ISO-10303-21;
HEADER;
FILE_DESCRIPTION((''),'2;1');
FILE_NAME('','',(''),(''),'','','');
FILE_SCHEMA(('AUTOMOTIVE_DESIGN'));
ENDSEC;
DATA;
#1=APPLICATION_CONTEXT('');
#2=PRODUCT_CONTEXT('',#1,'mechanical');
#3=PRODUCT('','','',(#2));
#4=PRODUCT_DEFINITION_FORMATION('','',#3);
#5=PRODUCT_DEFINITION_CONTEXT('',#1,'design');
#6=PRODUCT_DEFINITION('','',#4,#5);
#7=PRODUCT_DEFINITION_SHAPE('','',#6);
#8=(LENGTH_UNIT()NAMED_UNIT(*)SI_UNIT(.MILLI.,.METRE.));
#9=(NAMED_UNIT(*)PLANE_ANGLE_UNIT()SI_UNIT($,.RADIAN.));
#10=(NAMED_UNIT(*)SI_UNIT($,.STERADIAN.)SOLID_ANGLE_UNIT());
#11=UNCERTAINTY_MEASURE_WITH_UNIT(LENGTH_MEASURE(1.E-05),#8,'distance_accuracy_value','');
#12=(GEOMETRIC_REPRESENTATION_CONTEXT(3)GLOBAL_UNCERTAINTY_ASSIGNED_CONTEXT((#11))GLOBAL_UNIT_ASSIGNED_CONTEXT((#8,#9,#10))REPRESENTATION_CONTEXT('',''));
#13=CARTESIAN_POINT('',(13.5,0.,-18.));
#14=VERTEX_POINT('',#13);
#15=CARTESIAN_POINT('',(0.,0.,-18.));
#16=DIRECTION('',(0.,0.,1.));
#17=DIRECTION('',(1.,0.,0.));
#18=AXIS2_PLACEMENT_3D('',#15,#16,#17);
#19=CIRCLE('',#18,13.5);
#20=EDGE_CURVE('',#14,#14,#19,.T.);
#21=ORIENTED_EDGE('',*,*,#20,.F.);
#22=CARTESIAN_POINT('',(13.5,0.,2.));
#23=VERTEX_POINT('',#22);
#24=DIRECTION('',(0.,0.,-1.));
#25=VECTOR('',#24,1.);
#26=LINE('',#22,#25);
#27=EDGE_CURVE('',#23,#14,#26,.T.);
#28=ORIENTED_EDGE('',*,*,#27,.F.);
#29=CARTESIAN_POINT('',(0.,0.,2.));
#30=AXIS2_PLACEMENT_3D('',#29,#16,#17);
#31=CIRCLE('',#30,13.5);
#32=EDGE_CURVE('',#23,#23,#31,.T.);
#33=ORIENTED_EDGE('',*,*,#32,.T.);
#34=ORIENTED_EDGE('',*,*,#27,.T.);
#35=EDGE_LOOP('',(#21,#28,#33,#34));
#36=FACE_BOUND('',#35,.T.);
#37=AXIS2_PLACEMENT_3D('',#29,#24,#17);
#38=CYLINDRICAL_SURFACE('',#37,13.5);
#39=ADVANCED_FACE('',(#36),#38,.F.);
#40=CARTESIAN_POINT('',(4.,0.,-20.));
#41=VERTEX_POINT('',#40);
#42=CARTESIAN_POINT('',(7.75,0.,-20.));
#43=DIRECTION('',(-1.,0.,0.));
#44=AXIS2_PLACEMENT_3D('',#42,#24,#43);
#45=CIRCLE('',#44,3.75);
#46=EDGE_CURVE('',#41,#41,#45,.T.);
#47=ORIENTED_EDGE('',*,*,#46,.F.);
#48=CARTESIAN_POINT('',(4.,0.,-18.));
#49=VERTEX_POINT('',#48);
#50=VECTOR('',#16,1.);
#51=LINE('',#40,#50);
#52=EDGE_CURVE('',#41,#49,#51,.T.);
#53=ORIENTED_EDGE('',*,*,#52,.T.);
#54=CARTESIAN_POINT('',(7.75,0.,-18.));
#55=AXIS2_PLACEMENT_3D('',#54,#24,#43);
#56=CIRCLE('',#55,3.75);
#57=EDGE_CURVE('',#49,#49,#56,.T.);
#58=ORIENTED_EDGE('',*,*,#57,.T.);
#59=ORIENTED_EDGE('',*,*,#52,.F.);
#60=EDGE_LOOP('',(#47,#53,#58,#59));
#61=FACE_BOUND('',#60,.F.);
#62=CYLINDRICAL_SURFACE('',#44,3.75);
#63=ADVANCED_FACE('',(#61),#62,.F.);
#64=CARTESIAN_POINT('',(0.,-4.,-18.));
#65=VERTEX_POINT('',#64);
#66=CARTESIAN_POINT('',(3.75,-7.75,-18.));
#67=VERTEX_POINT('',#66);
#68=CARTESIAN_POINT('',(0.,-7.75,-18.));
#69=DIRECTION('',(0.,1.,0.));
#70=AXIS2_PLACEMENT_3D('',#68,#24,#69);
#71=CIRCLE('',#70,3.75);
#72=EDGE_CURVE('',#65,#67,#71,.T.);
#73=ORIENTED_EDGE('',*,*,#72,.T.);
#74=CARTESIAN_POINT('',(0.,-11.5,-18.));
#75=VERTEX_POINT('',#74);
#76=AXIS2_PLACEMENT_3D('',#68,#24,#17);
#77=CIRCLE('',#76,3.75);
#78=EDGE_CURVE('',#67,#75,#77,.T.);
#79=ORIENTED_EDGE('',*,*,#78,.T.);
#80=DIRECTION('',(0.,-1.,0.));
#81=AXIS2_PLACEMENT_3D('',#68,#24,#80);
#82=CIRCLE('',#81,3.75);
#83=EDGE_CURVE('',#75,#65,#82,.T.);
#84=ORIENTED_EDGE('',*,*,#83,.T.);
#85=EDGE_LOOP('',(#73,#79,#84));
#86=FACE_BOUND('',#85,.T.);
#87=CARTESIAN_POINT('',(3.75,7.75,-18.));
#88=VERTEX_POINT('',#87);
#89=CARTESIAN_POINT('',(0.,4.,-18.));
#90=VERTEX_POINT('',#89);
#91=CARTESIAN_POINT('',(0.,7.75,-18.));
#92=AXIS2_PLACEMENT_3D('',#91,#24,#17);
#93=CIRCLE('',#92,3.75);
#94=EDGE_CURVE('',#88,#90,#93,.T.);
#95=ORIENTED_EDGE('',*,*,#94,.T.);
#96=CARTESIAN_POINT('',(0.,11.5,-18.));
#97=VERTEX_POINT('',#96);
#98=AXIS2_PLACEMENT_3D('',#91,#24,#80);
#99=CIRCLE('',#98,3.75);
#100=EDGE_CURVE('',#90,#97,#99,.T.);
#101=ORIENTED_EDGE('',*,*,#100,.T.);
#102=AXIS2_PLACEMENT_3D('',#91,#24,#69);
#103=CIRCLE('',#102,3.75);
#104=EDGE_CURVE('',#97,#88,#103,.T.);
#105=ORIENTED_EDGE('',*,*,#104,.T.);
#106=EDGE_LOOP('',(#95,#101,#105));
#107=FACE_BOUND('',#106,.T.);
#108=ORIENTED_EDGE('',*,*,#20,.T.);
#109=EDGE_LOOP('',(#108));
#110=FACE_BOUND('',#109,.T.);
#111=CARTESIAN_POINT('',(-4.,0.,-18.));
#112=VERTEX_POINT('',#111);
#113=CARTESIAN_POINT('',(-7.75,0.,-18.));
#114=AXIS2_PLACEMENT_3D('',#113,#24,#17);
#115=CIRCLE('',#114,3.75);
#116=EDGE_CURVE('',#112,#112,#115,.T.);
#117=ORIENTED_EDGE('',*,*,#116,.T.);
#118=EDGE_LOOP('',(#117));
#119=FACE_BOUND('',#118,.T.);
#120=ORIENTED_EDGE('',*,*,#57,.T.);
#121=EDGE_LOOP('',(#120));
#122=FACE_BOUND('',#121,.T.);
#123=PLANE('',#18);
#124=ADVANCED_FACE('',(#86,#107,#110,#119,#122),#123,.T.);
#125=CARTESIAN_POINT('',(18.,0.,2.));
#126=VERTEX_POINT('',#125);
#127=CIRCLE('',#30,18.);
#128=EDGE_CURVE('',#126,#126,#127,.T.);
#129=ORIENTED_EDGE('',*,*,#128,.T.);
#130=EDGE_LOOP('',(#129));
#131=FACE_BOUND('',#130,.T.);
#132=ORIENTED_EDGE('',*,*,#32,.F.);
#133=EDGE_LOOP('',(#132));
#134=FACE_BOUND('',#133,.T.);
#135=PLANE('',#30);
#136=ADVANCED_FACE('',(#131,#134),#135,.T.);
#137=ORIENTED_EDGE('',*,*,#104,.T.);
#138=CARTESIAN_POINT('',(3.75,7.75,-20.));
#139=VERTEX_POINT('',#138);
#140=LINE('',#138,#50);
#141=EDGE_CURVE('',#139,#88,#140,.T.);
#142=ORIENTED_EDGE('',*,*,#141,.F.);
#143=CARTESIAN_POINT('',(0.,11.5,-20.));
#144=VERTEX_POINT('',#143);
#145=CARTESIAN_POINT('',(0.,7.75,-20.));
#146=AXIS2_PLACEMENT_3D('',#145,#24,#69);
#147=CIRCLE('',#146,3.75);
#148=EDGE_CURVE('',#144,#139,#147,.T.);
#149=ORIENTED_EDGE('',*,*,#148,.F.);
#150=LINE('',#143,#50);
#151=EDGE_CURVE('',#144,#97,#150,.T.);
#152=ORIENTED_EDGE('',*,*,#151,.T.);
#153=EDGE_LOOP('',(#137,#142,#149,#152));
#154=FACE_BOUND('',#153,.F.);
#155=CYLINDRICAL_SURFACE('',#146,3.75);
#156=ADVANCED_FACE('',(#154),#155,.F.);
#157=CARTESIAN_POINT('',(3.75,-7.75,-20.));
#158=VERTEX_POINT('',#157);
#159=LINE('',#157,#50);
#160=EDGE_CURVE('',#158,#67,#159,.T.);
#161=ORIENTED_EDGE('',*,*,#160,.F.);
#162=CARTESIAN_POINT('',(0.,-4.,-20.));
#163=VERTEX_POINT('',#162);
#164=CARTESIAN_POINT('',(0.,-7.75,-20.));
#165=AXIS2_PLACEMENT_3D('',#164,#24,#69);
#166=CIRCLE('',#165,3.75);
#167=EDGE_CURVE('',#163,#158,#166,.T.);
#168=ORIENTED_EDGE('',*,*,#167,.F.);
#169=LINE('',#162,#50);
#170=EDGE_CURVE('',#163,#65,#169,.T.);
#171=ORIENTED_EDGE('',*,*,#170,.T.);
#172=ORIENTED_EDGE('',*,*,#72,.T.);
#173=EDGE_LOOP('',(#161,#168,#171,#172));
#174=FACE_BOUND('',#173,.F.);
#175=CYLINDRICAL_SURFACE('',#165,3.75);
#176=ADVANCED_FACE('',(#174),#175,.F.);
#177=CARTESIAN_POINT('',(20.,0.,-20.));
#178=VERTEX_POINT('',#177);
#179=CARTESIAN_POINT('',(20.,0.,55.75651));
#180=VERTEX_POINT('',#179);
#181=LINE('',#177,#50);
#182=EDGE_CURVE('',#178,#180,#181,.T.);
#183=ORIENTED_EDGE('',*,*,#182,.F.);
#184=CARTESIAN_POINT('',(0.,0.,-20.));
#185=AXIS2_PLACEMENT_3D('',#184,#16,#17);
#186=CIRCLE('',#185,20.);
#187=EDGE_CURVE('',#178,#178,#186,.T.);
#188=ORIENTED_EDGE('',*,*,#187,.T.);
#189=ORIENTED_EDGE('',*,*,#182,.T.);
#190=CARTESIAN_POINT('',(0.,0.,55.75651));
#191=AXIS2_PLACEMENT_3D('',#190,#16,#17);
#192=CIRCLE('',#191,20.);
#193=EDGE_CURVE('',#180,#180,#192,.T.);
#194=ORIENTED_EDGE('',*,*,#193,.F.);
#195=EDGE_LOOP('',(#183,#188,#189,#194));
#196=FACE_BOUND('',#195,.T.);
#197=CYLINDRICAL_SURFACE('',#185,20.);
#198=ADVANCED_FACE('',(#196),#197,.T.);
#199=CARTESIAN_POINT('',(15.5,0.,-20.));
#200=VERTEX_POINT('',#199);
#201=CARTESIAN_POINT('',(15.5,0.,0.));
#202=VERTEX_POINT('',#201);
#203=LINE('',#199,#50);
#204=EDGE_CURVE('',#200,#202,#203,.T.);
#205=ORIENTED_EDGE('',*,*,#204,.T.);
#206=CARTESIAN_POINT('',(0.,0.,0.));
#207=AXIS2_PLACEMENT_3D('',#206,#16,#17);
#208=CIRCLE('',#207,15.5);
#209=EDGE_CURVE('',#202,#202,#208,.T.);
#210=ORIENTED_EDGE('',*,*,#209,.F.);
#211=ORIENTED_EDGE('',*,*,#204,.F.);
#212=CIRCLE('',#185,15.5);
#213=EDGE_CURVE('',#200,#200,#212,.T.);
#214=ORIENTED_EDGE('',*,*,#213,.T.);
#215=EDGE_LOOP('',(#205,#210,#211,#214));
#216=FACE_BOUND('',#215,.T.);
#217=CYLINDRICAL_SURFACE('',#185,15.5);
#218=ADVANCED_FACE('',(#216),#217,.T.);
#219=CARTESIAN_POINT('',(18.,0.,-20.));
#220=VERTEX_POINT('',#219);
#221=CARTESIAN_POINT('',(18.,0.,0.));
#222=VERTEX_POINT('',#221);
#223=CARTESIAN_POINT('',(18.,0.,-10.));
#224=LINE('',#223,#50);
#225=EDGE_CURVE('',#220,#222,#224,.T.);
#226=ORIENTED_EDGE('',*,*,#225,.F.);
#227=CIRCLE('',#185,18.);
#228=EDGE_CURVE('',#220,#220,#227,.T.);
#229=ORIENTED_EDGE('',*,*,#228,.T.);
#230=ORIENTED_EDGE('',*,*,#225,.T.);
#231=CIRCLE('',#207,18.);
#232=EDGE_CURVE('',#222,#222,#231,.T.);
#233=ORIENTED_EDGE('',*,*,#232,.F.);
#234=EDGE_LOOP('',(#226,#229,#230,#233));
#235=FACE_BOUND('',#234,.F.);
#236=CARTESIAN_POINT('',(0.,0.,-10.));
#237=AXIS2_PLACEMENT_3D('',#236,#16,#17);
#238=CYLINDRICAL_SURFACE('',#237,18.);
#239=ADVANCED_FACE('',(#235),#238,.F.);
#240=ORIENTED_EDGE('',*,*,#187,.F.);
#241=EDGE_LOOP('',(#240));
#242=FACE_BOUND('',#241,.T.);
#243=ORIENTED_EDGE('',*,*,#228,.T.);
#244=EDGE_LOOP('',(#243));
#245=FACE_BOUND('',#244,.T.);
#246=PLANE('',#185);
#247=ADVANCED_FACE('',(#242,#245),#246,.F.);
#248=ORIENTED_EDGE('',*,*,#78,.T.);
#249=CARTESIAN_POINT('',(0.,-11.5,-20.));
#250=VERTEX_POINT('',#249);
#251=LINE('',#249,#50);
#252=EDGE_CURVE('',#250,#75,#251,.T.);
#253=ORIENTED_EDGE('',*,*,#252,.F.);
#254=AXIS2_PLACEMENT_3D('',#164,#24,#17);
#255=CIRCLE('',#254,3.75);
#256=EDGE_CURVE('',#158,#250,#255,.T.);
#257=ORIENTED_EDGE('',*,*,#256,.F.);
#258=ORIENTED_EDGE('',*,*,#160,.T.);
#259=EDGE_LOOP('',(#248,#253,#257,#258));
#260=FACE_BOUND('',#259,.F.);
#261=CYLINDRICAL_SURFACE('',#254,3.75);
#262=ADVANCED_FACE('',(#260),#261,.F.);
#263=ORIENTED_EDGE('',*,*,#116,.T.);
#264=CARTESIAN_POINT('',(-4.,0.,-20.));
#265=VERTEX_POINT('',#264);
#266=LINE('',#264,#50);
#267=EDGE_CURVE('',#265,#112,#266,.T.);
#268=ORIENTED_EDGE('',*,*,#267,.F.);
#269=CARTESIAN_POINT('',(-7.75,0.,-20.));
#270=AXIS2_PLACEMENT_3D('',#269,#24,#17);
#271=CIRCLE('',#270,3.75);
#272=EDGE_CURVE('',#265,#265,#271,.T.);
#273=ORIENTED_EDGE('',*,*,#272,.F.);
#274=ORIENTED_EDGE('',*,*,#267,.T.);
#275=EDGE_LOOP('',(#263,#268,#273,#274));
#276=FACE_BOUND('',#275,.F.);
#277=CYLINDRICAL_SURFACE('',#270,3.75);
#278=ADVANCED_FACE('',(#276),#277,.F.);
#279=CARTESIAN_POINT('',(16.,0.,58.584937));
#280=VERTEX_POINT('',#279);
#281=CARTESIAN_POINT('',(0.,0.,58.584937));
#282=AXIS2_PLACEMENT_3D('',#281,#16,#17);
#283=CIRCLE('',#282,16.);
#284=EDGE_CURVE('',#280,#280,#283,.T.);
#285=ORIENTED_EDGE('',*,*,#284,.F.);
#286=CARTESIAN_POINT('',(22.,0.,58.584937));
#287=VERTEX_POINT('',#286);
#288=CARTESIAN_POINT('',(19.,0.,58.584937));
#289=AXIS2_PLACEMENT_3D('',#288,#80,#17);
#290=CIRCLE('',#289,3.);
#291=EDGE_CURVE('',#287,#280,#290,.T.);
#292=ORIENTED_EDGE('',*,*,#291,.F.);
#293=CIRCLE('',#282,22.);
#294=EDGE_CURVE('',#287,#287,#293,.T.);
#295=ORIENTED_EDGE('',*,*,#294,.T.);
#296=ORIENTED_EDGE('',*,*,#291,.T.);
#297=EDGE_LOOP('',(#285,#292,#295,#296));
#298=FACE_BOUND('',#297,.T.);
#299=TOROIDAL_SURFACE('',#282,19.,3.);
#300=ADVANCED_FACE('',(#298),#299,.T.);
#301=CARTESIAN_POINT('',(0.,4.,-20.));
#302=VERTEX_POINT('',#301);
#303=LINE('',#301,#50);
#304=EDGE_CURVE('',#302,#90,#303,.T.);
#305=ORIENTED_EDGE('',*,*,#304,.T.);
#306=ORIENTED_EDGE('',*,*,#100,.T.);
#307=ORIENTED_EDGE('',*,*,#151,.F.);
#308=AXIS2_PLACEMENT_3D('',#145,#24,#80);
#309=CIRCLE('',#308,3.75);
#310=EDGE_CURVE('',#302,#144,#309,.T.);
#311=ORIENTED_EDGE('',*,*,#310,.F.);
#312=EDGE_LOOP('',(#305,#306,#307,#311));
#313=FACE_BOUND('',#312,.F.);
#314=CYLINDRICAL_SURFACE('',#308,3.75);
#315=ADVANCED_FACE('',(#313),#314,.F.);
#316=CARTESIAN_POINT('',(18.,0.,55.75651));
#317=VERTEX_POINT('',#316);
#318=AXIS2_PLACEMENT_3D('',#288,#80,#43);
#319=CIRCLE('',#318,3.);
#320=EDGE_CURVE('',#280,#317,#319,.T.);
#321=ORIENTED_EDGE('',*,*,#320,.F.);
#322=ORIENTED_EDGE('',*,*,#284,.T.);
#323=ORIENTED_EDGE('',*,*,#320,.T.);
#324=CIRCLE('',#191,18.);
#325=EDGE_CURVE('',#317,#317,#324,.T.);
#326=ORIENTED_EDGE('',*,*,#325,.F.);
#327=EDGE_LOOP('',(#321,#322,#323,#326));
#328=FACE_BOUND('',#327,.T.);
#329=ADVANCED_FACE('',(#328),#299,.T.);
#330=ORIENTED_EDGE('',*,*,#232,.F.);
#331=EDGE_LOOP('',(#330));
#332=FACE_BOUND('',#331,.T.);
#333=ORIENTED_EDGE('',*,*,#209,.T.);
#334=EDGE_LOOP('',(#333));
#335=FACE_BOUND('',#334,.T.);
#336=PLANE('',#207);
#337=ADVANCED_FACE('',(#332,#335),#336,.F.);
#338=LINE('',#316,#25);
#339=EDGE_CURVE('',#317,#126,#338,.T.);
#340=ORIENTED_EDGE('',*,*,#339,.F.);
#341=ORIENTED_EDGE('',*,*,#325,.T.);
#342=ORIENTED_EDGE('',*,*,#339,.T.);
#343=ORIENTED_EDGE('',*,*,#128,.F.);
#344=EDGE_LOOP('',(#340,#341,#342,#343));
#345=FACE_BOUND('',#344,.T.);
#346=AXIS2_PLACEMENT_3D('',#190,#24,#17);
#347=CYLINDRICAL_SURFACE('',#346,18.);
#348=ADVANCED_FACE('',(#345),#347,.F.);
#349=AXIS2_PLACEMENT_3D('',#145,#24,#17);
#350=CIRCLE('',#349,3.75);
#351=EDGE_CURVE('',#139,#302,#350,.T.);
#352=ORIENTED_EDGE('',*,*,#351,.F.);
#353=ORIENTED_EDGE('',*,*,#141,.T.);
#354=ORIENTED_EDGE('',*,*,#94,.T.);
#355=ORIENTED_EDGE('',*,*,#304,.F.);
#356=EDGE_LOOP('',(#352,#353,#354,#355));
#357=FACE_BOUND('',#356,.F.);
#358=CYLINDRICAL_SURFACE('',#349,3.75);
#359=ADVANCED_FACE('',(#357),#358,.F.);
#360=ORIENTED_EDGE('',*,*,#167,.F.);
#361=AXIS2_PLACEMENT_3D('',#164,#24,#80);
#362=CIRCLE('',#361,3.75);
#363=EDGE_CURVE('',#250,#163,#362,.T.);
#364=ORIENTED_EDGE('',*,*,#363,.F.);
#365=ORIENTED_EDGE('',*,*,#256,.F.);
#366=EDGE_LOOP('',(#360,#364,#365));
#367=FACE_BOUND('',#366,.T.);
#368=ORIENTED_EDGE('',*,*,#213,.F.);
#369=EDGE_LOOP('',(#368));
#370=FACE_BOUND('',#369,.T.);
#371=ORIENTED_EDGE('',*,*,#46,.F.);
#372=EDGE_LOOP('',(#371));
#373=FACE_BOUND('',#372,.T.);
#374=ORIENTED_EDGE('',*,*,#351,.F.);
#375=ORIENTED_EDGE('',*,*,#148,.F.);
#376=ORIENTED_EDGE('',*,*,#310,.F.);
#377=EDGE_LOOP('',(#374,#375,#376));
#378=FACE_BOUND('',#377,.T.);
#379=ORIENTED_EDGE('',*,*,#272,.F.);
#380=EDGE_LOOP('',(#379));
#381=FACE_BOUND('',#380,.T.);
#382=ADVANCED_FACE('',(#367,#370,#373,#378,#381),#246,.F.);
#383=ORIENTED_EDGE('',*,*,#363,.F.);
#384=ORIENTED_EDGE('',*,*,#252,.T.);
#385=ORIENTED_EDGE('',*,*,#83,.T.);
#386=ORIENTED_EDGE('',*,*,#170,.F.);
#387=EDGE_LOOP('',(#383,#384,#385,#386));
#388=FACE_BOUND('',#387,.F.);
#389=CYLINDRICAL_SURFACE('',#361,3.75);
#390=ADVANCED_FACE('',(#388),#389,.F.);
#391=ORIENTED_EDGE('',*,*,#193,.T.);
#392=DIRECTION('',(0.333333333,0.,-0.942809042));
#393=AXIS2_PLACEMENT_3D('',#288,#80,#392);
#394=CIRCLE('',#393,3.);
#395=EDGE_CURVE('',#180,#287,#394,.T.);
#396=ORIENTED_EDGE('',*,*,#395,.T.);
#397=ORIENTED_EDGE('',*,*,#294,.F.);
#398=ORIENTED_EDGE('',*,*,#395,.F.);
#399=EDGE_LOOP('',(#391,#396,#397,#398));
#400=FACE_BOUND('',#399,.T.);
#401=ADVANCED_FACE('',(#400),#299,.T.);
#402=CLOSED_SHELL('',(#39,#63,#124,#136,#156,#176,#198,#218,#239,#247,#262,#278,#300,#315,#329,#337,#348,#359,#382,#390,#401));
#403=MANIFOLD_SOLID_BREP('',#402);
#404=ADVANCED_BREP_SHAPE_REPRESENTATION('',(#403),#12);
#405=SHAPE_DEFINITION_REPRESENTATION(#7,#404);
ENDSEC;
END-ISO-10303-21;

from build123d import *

# Parameters (mm, degrees)
F0_W     = 2
F0_H     = 2
F0_H_2   = 20
F2_R     = 3.75
F3_DEPTH = 25.4


with BuildPart() as f1:
    # F0 (on Front) → F1 (revolve)
    with BuildSketch(Plane.XZ):
        with BuildLine():
            ThreePointArc((22, 58.5849373941), (19, 61.5849373941), (16, 58.5849373941))
            Line((16, 58.5849373941), (18, 58.5849373941))
            Line((18, 58.5849373941), (20, 58.5849373941))
            Line((20, 58.5849373941), (20, 55.7565102694))
            ThreePointArc((20, 55.7565102694), (21.4494897428, 56.8528865866), (22, 58.5849373941))
        make_face()
        with BuildLine():
            Line((20, 58.5849373941), (18, 58.5849373941))
            Line((18, 58.5849373941), (18, 55.7565102694))
            ThreePointArc((18, 55.7565102694), (19, 55.5849373941), (20, 55.7565102694))
            Line((20, 55.7565102694), (20, 58.5849373941))
        make_face()
        with BuildLine():
            Line((18, 58.5849373941), (16, 58.5849373941))
            ThreePointArc((16, 58.5849373941), (16.5505102572, 56.8528865866), (18, 55.7565102694))
            Line((18, 55.7565102694), (18, 58.5849373941))
        make_face()
        Polygon((15.5, 0), (13.5, 0), (13.5, -18), (0, -18), (0, -20), (15.5, -20), align=None)
        with Locations((19, 1)):
            Rectangle(F0_W, F0_H)
        Polygon((13.5, 2), (13.5, 0), (15.5, 0), (18, 0), (18, 2), align=None)
        with Locations((19, -10)):
            Rectangle(F0_W, F0_H_2)
        with BuildLine():
            Line((18, 55.7565102694), (18, 2))
            Line((18, 2), (20, 2))
            Line((20, 2), (20, 55.7565102694))
            ThreePointArc((20, 55.7565102694), (19, 55.5849373941), (18, 55.7565102694))
        make_face()
    revolve(axis=Axis((0, 0, 29.2924686971), (0, 0, 1)))

    # F2 (on face) → F3 (cut)
    with BuildSketch(Plane(origin=(0, 0, -20), x_dir=(1, 0, 0), z_dir=(0, 0, -1))):
        with BuildLine():
            Line((0, -4), (0, -11.5))
            ThreePointArc((0, -11.5), (2.6516504294, -10.4016504294), (3.75, -7.75))
            ThreePointArc((3.75, -7.75), (2.6516504294, -5.0983495706), (0, -4))
        make_face()
        with BuildLine():
            ThreePointArc((0, -4), (-3.75, -7.75), (0, -11.5))
            Line((0, -11.5), (0, -4))
        make_face()
        with Locations((-7.75, 0)):
            Circle(F2_R)
        with BuildLine():
            ThreePointArc((3.75, 7.75), (2.6516504294, 10.4016504294), (0, 11.5))
            Line((0, 11.5), (0, 4))
            ThreePointArc((0, 4), (2.6516504294, 5.0983495706), (3.75, 7.75))
        make_face()
        with BuildLine():
            Line((0, 4), (0, 11.5))
            ThreePointArc((0, 11.5), (-3.75, 7.75), (0, 4))
        make_face()
        with BuildLine():
            Line((4, 0), (11.5, 0))
            ThreePointArc((11.5, 0), (7.75, 3.75), (4, 0))
        make_face()
        with BuildLine():
            ThreePointArc((4, 0), (7.75, -3.75), (11.5, 0))
            Line((11.5, 0), (4, 0))
        make_face()
    extrude(amount=-F3_DEPTH, mode=Mode.SUBTRACT)


solid = f1.part
